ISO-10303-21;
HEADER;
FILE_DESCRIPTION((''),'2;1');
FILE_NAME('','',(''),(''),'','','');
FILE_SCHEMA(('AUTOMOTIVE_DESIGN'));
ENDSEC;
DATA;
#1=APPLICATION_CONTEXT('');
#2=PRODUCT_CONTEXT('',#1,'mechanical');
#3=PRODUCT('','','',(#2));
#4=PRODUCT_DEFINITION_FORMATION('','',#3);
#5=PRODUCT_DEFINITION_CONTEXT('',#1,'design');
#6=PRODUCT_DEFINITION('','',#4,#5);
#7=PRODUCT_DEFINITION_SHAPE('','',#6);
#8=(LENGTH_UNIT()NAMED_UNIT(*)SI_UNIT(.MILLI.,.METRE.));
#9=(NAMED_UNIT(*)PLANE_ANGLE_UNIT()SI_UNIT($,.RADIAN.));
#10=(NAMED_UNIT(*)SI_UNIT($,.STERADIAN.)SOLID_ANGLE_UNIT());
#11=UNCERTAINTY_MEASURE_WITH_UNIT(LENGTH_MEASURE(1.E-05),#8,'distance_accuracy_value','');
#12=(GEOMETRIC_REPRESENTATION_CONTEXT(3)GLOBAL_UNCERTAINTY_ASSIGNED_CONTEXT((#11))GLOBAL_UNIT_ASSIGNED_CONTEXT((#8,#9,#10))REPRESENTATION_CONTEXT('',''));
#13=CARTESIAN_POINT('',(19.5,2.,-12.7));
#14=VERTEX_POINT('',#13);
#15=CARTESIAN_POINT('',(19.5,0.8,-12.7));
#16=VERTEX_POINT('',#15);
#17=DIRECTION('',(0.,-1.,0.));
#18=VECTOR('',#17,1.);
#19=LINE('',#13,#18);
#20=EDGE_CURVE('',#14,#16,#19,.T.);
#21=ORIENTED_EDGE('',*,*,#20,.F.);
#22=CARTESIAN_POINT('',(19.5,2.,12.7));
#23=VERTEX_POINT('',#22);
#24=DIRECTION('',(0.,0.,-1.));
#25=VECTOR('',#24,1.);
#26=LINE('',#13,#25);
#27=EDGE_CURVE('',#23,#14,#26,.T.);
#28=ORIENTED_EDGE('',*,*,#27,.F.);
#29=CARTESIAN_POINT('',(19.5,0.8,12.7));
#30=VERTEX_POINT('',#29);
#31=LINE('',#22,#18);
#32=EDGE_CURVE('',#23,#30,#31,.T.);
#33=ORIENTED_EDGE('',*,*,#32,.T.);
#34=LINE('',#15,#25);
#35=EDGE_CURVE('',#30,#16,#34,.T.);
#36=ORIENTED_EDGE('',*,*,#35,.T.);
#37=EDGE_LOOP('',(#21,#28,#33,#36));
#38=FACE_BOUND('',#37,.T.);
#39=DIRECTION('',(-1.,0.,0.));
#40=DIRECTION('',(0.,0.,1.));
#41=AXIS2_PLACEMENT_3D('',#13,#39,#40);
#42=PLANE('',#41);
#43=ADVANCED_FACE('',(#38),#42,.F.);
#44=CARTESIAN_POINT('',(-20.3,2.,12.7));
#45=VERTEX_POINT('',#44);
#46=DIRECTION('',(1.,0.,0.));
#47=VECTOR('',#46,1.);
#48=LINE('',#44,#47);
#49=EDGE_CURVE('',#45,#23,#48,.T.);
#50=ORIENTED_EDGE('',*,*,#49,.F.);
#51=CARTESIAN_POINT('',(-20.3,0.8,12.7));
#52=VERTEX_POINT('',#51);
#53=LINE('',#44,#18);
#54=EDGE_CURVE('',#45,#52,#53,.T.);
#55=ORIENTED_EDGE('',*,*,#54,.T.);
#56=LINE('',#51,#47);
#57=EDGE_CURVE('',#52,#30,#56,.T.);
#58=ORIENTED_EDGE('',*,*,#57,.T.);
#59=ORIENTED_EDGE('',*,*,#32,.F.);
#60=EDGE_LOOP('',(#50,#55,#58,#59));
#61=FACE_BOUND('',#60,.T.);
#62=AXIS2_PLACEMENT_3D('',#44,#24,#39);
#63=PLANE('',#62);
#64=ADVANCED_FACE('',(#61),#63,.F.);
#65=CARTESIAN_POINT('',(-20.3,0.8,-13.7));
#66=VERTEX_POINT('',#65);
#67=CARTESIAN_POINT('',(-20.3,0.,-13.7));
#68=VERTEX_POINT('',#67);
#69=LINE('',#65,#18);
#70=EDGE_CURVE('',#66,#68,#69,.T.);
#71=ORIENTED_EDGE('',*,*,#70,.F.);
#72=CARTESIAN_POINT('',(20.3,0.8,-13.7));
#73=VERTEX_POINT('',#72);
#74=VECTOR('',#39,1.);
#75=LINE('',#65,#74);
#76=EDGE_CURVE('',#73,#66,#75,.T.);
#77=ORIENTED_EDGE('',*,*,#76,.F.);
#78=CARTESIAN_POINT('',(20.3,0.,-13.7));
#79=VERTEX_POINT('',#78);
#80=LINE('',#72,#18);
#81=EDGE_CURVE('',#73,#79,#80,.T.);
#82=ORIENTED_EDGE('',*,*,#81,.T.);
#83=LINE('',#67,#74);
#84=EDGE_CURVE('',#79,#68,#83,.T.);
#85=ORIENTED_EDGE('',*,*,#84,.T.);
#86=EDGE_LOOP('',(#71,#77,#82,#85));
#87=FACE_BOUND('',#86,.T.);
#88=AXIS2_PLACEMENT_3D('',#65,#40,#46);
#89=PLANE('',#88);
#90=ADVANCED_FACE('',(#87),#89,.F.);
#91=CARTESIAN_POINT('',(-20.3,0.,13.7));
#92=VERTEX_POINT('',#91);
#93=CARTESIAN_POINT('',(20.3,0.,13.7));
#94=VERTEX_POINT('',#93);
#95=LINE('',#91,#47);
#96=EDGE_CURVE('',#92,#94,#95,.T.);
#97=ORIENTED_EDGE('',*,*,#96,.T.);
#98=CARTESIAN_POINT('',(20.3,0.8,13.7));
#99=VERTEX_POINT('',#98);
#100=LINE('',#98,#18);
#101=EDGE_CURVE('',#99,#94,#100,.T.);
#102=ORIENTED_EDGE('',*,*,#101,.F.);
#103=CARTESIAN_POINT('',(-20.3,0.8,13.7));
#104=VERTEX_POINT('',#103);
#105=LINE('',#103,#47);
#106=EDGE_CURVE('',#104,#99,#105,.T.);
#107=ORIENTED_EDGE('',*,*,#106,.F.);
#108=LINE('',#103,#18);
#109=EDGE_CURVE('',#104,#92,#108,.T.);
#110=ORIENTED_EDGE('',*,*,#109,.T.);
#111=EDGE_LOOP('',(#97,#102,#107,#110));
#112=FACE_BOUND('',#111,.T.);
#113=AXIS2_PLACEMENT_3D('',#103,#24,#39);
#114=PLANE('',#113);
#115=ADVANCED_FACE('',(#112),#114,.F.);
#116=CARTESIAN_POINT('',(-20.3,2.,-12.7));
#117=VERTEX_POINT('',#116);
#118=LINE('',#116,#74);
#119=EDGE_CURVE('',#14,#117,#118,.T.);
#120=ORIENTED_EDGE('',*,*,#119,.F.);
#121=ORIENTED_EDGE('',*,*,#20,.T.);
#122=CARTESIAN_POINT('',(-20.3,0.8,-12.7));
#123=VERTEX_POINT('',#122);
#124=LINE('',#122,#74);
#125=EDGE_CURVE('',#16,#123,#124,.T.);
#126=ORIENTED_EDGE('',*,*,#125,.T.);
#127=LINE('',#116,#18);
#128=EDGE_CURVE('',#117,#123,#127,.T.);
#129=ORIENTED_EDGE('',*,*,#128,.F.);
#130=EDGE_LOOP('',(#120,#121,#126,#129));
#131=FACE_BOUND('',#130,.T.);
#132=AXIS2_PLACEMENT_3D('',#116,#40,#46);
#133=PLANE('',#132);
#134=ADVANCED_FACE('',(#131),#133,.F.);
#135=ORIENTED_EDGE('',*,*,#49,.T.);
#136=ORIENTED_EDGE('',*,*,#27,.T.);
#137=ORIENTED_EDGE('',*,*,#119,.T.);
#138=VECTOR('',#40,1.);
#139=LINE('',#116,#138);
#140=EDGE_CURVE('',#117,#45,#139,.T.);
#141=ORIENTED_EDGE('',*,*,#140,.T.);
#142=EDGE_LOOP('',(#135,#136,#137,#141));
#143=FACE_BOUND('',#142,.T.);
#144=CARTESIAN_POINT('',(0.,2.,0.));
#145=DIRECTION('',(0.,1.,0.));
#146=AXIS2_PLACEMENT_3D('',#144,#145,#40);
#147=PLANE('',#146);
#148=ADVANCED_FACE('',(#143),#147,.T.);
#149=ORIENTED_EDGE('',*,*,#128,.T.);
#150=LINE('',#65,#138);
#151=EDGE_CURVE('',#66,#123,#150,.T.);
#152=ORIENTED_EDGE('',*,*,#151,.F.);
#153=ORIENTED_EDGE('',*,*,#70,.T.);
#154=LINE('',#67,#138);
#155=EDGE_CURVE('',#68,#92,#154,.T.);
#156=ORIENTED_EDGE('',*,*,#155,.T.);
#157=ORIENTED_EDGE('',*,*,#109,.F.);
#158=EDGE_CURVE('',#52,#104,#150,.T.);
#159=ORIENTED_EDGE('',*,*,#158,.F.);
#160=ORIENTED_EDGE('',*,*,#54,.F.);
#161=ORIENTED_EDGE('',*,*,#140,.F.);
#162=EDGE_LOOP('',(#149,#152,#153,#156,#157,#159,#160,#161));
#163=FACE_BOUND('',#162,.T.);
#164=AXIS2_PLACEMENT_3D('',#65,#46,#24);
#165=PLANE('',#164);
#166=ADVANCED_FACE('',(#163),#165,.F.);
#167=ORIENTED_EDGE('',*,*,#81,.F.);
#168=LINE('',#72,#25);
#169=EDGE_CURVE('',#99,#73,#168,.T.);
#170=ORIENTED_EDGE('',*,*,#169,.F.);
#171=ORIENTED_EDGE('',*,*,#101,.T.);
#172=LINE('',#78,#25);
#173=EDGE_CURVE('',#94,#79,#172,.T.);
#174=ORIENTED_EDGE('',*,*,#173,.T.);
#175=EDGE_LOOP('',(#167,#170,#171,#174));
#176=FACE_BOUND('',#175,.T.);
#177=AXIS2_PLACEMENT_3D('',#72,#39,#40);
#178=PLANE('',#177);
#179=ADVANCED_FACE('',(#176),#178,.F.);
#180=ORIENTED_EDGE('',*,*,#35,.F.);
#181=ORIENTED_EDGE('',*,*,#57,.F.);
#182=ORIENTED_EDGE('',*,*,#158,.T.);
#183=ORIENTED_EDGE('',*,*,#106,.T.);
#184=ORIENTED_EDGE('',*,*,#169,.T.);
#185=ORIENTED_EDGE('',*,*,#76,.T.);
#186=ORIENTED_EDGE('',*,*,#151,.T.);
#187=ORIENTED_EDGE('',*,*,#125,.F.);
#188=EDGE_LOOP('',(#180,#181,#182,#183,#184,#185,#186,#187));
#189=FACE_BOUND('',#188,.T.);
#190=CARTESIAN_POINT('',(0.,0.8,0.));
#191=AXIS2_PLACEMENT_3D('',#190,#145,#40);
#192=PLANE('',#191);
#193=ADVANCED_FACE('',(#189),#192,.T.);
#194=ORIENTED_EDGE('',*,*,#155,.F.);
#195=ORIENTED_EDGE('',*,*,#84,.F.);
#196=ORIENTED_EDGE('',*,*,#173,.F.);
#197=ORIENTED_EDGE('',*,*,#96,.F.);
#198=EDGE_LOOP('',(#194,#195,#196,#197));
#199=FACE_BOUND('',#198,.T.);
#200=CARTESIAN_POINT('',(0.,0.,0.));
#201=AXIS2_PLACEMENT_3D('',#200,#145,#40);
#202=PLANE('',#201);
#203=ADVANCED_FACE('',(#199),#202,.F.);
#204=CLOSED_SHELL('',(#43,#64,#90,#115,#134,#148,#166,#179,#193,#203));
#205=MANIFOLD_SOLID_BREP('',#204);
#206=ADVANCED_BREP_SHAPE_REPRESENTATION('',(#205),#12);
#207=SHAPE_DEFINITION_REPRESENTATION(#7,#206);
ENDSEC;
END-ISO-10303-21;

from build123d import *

# Parameters (mm, degrees)
SKETCH_2_W      = 40.6
SKETCH_2_H      = 27.4
EXTRUDE_1_DEPTH = 0.8
SKETCH_3_W      = 39.8
SKETCH_3_H      = 25.4
EXTRUDE_2_DEPTH = 1.2


with BuildPart() as part:
    # 草图2 → 凸台-拉伸1 (new body)
    with BuildSketch(Plane(origin=(0, 0, 0), x_dir=(1, 0, 0), z_dir=(0, 1, 0))):
        Rectangle(SKETCH_2_W, SKETCH_2_H)
    extrude(amount=EXTRUDE_1_DEPTH)

    # 草图3 → 凸台-拉伸2 (add)
    with BuildSketch(Plane(origin=(0, 0.8, 0), x_dir=(1, 0, 0), z_dir=(0, 1, 0))):
        with Locations((-0.4, 0)):
            Rectangle(SKETCH_3_W, SKETCH_3_H)
    extrude(amount=EXTRUDE_2_DEPTH)


solid = part.part
